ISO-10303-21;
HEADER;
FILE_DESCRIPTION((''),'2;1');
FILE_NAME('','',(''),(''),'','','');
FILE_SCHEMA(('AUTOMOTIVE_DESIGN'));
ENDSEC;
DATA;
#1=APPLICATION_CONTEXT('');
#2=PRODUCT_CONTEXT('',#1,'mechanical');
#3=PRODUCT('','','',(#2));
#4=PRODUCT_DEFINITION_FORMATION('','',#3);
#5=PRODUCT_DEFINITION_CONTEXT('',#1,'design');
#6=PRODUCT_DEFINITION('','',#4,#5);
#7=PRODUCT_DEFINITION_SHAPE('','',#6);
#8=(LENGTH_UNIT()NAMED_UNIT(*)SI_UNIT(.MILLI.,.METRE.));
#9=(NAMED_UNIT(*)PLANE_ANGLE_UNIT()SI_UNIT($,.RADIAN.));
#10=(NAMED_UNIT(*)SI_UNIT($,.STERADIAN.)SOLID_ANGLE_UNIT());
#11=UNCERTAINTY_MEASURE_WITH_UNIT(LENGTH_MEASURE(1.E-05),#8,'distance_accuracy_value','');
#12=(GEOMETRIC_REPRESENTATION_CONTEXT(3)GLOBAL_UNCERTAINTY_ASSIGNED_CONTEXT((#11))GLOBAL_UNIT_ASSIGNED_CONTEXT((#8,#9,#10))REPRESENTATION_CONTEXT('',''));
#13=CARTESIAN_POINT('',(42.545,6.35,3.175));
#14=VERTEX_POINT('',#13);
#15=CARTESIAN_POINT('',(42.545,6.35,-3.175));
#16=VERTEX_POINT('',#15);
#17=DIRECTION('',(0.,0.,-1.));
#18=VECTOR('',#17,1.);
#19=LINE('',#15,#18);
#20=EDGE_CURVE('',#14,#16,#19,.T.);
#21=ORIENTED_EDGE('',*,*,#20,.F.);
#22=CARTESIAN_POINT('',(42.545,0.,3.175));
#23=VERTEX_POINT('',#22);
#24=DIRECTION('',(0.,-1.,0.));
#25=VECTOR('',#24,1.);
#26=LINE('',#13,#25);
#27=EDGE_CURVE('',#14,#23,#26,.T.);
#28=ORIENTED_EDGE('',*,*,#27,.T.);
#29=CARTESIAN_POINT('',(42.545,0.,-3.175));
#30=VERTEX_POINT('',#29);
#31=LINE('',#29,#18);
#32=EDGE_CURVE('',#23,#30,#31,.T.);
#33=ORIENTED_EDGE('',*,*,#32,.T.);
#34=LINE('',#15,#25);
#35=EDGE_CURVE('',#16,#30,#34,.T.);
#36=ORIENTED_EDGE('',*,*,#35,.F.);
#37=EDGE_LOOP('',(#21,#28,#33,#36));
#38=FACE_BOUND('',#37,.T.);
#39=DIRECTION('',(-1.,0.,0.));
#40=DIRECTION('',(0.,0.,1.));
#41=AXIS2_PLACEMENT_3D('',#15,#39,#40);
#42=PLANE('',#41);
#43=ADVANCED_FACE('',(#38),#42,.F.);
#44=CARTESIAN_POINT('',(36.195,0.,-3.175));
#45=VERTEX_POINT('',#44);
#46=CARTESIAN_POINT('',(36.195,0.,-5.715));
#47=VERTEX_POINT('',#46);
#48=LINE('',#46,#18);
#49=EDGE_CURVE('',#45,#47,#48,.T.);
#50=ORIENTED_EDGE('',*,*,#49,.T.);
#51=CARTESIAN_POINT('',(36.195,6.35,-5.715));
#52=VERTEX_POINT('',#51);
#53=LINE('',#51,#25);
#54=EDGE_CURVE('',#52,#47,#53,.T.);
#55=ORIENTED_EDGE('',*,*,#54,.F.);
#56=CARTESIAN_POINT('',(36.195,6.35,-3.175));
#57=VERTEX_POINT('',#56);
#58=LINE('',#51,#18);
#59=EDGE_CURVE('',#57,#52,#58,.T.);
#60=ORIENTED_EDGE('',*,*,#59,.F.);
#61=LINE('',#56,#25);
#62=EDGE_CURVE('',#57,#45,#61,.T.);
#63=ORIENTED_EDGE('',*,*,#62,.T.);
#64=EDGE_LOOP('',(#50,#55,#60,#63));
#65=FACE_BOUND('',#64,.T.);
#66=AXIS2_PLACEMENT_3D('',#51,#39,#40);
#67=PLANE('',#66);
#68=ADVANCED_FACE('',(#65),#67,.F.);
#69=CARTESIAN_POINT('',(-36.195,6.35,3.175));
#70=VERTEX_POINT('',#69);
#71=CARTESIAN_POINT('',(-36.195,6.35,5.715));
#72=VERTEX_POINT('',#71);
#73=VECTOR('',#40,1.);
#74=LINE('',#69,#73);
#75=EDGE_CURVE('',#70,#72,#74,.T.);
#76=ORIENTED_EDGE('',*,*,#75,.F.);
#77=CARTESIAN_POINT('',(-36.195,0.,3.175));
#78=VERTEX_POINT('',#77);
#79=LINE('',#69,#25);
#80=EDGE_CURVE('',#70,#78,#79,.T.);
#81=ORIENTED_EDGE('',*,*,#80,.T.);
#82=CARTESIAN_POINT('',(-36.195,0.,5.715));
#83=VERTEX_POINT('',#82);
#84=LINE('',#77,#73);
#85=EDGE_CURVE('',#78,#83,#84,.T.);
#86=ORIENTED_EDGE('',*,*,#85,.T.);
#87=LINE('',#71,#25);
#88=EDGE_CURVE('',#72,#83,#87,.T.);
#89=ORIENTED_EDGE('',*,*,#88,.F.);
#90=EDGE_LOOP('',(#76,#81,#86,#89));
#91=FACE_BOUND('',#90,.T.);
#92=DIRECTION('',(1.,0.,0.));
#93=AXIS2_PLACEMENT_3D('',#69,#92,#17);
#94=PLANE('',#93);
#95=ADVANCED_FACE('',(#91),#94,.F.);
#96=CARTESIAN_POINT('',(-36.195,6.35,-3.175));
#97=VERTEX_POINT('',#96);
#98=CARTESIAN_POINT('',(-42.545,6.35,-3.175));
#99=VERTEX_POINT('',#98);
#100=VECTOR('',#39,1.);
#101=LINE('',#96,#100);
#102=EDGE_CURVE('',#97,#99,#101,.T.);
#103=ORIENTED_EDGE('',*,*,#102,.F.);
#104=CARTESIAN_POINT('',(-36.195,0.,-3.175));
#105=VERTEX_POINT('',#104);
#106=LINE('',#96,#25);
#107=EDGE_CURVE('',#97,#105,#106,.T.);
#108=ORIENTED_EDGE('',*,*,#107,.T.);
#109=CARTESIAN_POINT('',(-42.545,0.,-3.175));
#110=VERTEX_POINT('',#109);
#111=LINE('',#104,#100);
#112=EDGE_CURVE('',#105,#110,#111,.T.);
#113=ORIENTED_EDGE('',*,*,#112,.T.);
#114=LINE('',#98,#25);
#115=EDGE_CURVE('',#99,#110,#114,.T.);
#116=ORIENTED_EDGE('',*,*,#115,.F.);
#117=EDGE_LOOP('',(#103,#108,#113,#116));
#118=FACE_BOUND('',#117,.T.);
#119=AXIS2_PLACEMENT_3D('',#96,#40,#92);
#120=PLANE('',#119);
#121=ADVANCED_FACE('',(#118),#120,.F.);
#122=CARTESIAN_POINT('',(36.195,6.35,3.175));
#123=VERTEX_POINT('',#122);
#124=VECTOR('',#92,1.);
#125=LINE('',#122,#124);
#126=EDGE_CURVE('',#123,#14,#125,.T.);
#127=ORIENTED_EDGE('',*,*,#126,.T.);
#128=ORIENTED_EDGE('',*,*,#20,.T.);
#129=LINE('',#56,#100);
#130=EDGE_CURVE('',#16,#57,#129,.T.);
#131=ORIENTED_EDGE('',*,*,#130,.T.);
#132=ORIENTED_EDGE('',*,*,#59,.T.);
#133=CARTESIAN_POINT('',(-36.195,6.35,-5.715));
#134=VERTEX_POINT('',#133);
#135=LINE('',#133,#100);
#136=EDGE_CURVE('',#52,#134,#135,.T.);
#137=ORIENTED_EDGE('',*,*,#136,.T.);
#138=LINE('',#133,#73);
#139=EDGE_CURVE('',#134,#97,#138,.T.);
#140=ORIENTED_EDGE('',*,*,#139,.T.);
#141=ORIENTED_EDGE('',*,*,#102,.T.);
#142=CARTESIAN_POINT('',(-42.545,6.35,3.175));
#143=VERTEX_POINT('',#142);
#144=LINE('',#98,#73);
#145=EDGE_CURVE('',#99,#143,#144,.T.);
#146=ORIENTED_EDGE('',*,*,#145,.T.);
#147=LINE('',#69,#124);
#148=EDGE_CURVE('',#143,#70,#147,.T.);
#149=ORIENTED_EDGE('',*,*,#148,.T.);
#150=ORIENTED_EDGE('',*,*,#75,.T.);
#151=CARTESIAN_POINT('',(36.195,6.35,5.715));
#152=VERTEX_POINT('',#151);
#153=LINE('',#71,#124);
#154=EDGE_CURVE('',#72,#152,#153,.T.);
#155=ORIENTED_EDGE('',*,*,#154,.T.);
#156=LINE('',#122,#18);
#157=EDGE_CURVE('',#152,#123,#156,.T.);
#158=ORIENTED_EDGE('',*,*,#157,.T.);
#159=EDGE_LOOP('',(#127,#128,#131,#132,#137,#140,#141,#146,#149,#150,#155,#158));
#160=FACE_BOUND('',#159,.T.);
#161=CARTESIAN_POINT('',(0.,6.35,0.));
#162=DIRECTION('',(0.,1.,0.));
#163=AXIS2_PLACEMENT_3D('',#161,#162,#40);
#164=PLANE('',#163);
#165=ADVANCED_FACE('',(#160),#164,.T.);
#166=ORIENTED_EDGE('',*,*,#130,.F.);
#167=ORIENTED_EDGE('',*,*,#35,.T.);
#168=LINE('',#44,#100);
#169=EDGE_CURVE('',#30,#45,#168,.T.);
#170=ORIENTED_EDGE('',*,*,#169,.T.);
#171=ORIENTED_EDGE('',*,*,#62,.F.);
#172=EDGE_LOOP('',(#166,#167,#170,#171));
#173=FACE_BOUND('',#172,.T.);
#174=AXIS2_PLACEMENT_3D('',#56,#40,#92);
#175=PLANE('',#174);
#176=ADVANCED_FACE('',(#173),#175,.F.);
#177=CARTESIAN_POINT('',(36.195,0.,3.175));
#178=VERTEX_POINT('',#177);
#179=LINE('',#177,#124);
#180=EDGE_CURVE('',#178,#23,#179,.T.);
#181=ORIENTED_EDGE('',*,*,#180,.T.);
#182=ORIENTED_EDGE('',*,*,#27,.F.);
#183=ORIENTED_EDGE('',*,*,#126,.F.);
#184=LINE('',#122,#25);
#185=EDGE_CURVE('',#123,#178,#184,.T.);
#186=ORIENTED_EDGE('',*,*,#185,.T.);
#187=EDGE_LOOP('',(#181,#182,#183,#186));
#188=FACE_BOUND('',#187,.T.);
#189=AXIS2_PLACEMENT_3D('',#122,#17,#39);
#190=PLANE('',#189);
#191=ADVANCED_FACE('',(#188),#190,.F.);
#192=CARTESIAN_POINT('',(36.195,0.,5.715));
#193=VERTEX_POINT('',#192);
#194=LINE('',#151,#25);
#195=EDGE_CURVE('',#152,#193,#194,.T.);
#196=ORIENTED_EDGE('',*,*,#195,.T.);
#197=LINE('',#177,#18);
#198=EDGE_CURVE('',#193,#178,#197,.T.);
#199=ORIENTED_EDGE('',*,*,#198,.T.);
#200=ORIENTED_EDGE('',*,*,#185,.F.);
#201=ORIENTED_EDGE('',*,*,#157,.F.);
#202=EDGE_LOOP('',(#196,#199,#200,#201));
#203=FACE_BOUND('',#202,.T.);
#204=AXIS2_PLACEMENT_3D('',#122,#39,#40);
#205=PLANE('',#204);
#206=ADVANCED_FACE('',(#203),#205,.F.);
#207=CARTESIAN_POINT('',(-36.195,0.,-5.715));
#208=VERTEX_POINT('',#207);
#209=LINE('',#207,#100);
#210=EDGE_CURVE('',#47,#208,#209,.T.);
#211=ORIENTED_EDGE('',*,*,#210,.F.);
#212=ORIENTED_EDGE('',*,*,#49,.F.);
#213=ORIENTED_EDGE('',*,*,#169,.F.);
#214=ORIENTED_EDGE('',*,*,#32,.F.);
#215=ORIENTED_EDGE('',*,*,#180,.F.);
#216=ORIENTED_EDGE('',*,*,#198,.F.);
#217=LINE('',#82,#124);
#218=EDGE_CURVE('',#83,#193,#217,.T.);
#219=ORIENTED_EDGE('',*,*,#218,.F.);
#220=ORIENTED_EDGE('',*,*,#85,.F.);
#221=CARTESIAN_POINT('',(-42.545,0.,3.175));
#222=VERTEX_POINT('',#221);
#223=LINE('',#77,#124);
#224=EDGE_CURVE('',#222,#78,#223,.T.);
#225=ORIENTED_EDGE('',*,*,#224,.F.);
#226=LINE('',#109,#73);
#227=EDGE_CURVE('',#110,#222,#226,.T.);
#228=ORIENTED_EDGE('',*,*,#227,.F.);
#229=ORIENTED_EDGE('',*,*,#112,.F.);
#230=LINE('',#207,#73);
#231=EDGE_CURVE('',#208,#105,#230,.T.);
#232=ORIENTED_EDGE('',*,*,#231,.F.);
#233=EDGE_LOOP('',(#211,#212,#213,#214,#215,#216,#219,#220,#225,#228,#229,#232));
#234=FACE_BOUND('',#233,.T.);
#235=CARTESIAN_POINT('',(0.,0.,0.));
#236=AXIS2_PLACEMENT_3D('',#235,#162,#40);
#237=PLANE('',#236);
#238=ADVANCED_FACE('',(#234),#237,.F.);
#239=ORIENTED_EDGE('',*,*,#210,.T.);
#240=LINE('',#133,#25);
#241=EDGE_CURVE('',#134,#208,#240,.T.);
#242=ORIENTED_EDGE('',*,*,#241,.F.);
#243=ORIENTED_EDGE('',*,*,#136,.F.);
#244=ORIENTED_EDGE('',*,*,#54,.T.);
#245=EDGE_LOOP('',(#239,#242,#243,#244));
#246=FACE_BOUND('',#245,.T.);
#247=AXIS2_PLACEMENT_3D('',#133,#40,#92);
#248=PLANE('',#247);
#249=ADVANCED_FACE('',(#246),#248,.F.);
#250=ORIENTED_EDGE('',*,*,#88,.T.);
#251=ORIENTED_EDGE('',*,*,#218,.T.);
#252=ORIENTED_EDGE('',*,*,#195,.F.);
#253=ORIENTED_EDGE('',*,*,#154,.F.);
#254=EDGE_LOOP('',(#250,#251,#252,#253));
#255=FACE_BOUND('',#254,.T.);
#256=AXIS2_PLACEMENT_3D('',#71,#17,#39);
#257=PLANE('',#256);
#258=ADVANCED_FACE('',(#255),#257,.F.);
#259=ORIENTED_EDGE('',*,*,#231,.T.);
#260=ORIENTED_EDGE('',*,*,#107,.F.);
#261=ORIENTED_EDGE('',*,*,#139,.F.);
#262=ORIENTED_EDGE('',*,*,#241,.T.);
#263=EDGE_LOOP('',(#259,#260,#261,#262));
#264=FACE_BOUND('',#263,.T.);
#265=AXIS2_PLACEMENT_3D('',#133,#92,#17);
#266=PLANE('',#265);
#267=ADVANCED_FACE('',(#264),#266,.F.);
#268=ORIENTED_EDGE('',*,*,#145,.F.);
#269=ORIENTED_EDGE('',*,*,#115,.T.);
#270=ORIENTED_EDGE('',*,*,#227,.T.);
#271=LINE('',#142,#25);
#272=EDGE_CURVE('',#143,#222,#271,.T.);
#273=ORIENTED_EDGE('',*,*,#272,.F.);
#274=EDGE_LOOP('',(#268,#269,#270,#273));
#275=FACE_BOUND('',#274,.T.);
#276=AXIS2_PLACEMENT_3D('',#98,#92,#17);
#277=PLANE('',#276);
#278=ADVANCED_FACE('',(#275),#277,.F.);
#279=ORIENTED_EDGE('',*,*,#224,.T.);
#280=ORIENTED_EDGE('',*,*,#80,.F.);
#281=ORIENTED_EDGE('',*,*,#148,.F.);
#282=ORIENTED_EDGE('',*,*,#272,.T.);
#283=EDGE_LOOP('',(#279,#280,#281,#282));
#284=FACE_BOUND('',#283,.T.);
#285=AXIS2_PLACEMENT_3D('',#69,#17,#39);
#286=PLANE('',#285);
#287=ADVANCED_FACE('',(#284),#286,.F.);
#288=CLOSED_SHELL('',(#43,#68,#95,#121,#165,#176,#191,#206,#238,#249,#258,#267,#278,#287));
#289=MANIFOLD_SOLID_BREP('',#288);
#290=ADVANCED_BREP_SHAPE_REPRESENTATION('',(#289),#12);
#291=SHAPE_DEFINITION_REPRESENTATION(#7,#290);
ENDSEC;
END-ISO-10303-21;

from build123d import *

# Parameters (mm, degrees)
BOSS_EXTRUDE1_DEPTH = 6.35


with BuildPart() as part:
    # Sketch1 → Boss-Extrude1 (new body)
    with BuildSketch(Plane(origin=(0, 0, 0), x_dir=(1, 0, 0), z_dir=(0, 1, 0))):
        Polygon((-36.195, 5.715), (36.195, 5.715), (36.195, 3.175), (42.545, 3.175), (42.545, -3.175), (36.195, -3.175), (36.195, -5.715), (-36.195, -5.715), (-36.195, -3.175), (-42.545, -3.175), (-42.545, 3.175), (-36.195, 3.175), align=None)
    extrude(amount=BOSS_EXTRUDE1_DEPTH)


solid = part.part
